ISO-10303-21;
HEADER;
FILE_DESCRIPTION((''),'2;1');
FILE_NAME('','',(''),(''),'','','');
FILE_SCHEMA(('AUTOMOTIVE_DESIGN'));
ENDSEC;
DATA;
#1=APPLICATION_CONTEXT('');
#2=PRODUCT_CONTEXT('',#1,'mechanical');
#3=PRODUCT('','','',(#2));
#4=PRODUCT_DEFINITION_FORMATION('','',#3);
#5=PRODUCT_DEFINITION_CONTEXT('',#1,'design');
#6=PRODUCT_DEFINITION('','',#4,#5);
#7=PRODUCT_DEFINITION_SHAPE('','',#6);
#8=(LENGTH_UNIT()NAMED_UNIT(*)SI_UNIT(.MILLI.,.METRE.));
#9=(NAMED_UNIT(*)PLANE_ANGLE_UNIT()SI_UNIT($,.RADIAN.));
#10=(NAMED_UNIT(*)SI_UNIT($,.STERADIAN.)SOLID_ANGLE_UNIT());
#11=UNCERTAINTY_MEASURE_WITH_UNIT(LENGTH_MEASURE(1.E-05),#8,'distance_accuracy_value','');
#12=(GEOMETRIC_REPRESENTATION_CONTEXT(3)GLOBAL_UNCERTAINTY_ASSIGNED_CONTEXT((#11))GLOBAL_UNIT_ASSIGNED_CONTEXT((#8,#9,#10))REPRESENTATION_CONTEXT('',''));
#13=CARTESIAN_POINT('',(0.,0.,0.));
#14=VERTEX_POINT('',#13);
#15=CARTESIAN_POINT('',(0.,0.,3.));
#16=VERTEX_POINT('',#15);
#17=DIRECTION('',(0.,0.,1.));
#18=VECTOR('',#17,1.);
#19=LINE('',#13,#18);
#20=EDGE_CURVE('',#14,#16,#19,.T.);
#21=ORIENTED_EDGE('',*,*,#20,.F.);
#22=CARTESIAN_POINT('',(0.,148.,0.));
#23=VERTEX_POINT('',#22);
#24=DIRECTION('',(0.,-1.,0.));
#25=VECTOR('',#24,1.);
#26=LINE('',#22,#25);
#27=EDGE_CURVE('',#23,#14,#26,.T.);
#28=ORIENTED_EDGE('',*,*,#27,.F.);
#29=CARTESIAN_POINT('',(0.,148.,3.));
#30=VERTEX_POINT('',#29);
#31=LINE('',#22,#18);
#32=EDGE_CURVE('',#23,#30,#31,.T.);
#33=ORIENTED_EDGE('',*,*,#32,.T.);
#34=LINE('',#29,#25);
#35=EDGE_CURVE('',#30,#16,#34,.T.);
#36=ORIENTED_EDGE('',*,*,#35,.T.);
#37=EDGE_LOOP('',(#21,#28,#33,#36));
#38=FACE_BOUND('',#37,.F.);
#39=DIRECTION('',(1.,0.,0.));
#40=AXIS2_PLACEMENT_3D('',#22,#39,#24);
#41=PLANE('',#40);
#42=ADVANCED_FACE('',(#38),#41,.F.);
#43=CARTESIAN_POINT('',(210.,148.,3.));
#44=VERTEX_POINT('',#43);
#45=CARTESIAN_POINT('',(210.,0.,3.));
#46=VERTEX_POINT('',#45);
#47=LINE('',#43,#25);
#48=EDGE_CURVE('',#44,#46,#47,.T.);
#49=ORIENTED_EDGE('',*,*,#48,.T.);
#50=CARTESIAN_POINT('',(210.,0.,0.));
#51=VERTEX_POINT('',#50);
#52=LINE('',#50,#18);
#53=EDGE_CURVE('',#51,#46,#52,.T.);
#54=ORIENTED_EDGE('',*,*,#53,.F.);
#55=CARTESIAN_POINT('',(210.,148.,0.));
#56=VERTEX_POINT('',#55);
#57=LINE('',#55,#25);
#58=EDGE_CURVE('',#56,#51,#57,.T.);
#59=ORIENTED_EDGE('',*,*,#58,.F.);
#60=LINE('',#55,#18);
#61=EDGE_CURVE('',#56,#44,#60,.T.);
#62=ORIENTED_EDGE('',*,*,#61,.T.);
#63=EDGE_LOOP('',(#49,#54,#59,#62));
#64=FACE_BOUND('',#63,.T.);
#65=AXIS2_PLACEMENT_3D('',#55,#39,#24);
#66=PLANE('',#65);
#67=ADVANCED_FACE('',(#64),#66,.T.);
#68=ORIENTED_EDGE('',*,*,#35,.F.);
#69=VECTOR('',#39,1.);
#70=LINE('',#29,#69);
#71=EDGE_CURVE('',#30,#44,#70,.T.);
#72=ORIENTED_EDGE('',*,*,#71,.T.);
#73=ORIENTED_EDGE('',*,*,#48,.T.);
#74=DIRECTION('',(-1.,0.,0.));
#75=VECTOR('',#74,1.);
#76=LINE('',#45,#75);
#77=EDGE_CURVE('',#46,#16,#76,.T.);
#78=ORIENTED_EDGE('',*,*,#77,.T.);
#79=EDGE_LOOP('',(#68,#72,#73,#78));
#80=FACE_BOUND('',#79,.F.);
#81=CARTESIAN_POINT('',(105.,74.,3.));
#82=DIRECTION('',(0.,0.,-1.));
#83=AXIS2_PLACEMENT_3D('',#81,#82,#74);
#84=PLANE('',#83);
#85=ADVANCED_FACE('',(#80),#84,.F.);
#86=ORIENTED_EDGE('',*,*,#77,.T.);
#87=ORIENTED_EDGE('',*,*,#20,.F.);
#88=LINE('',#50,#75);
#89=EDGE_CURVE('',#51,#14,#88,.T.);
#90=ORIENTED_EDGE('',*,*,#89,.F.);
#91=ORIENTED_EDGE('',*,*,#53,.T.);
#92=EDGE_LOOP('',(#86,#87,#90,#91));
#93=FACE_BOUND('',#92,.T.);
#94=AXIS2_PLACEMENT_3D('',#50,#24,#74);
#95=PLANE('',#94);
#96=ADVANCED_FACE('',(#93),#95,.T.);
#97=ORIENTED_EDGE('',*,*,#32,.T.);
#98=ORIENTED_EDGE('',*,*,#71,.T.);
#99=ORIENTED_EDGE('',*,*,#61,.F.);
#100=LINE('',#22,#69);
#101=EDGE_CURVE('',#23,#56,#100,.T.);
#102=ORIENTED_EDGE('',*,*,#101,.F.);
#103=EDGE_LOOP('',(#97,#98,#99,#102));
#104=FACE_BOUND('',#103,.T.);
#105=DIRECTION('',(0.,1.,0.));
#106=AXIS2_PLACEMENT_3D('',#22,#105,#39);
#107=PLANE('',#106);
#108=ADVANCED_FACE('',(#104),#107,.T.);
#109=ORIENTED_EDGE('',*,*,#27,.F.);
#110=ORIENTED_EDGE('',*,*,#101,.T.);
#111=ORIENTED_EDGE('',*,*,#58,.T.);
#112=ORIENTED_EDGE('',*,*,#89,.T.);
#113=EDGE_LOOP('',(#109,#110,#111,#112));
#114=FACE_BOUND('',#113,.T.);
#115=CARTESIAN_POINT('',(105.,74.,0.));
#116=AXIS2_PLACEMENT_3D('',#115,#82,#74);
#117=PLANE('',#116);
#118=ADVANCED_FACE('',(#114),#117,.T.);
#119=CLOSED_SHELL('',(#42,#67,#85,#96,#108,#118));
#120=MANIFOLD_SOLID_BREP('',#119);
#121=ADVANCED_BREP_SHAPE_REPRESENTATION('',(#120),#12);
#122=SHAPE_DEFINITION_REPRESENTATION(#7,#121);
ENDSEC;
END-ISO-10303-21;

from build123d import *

# Parameters (mm, degrees)
PAD_DEPTH = 3


with BuildPart() as part:
    # Sketch → Pad (new body)
    with BuildSketch(Plane.XY):
        Polygon((0, 148), (210, 148), (210, 0), (0, 0), (0, 74), align=None)
    extrude(amount=PAD_DEPTH)


solid = part.part
